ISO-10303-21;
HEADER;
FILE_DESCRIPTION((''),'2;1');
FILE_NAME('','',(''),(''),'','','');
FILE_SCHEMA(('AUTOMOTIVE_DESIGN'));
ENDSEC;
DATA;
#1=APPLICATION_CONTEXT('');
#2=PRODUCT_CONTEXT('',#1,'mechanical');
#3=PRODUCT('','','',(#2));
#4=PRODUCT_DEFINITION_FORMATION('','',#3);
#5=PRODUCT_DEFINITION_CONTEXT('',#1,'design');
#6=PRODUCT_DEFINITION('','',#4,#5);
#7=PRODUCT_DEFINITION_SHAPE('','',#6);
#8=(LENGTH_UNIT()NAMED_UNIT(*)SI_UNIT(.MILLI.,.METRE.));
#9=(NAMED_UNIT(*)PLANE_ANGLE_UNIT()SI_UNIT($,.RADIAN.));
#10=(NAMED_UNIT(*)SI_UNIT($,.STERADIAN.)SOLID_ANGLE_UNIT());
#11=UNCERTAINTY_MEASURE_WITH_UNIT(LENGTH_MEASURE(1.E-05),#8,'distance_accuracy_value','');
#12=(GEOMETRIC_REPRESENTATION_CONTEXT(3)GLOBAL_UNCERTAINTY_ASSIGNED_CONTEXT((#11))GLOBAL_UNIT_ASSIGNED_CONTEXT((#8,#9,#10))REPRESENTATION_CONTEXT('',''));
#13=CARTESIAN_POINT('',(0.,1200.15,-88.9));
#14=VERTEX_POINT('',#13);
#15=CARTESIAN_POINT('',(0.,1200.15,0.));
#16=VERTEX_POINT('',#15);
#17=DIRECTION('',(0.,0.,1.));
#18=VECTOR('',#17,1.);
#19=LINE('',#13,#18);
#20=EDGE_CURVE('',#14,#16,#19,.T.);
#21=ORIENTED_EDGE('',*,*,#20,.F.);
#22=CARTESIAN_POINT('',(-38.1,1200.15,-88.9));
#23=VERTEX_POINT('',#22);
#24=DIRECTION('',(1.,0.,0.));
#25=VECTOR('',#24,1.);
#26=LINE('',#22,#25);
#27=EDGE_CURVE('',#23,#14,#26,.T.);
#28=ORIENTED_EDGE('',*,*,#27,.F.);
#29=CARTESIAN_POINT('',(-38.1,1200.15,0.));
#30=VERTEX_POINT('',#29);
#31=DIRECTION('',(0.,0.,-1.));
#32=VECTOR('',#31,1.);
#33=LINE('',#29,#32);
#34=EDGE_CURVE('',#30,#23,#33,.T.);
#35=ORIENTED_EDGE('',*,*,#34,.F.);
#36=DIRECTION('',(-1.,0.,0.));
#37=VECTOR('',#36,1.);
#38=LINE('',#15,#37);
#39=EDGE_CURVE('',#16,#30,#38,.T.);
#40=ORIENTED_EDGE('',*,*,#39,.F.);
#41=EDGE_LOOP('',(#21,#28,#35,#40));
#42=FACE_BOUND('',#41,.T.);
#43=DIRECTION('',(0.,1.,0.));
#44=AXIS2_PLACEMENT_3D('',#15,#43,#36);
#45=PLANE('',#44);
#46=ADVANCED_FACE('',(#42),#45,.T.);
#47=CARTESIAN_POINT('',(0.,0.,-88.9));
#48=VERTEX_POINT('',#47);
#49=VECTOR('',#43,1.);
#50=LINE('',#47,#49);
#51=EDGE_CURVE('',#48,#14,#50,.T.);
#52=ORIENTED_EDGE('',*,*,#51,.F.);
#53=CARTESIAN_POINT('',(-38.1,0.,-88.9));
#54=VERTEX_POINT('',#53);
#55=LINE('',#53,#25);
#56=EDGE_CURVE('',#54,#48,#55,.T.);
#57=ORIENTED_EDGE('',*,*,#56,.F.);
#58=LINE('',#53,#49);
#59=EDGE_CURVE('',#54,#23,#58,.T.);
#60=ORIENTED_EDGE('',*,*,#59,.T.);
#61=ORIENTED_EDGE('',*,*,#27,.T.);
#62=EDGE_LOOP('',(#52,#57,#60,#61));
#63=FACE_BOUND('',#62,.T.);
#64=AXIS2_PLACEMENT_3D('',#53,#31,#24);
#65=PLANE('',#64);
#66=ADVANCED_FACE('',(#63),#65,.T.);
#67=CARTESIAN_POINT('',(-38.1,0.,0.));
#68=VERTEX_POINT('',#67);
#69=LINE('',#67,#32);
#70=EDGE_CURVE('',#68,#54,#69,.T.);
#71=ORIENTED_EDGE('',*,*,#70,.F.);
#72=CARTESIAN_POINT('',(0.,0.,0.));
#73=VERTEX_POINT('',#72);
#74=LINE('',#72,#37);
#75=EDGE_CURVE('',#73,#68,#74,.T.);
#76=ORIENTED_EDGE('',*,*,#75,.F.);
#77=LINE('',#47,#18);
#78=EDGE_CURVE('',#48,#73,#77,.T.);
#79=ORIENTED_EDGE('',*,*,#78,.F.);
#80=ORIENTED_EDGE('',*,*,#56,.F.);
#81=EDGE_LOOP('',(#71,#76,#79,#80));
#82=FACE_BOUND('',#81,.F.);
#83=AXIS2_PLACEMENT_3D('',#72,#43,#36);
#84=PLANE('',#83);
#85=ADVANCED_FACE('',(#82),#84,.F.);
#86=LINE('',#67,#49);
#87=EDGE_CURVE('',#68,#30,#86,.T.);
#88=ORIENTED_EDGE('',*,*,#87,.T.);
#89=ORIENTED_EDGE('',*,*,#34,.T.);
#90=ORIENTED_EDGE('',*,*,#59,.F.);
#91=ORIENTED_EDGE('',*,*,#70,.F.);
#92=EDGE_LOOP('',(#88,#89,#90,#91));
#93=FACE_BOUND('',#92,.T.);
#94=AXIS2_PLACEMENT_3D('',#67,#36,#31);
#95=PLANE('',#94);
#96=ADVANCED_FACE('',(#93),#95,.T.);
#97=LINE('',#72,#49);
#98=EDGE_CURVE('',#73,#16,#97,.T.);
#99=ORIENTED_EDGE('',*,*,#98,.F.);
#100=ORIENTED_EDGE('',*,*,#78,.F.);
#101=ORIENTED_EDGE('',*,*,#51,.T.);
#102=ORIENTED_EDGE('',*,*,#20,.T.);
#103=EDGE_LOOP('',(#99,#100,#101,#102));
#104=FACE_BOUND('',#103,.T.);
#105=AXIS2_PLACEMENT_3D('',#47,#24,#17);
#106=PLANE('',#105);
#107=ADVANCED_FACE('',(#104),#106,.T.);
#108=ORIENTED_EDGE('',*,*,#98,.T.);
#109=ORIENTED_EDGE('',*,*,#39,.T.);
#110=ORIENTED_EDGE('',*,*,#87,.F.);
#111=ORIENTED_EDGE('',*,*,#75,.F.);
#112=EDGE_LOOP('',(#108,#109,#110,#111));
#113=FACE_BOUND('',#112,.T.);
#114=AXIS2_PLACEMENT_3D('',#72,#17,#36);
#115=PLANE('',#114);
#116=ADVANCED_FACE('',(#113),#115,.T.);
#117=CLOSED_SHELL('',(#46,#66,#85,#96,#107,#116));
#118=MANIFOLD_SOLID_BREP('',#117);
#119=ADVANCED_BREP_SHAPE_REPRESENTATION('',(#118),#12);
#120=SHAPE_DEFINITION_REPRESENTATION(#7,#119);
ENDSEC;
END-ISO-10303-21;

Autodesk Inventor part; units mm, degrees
ref_plane "YZ Plane" through (0, 0, 0) normal (1, 0, 0) x (0, 1, 0)
ref_plane "XZ Plane" through (0, 0, 0) normal (0, 1, 0) x (-1, 0, 0)
ref_plane "XY Plane" through (0, 0, 0) normal (0, 0, 1) x (1, 0, 0)
sketch "Sketch1" plane through (0, 0, 0) normal (0, 1, 0) x (-1, 0, 0)
  line L0 (0, 0) -> (38.1, 0)
  line L1 (38.1, 0) -> (38.1, -88.9)
  line L2 (38.1, -88.9) -> (0, -88.9)
  line L3 (0, -88.9) -> (0, 0)
  dimension "d0" = 88.9
  dimension "d1" = 38.1
extrude "Extrusion1" add sketch "Sketch1" along normal blind 1200.15
properties part number "Stud_With_Height_47.25_Inches" material "Wood (Birch)"
